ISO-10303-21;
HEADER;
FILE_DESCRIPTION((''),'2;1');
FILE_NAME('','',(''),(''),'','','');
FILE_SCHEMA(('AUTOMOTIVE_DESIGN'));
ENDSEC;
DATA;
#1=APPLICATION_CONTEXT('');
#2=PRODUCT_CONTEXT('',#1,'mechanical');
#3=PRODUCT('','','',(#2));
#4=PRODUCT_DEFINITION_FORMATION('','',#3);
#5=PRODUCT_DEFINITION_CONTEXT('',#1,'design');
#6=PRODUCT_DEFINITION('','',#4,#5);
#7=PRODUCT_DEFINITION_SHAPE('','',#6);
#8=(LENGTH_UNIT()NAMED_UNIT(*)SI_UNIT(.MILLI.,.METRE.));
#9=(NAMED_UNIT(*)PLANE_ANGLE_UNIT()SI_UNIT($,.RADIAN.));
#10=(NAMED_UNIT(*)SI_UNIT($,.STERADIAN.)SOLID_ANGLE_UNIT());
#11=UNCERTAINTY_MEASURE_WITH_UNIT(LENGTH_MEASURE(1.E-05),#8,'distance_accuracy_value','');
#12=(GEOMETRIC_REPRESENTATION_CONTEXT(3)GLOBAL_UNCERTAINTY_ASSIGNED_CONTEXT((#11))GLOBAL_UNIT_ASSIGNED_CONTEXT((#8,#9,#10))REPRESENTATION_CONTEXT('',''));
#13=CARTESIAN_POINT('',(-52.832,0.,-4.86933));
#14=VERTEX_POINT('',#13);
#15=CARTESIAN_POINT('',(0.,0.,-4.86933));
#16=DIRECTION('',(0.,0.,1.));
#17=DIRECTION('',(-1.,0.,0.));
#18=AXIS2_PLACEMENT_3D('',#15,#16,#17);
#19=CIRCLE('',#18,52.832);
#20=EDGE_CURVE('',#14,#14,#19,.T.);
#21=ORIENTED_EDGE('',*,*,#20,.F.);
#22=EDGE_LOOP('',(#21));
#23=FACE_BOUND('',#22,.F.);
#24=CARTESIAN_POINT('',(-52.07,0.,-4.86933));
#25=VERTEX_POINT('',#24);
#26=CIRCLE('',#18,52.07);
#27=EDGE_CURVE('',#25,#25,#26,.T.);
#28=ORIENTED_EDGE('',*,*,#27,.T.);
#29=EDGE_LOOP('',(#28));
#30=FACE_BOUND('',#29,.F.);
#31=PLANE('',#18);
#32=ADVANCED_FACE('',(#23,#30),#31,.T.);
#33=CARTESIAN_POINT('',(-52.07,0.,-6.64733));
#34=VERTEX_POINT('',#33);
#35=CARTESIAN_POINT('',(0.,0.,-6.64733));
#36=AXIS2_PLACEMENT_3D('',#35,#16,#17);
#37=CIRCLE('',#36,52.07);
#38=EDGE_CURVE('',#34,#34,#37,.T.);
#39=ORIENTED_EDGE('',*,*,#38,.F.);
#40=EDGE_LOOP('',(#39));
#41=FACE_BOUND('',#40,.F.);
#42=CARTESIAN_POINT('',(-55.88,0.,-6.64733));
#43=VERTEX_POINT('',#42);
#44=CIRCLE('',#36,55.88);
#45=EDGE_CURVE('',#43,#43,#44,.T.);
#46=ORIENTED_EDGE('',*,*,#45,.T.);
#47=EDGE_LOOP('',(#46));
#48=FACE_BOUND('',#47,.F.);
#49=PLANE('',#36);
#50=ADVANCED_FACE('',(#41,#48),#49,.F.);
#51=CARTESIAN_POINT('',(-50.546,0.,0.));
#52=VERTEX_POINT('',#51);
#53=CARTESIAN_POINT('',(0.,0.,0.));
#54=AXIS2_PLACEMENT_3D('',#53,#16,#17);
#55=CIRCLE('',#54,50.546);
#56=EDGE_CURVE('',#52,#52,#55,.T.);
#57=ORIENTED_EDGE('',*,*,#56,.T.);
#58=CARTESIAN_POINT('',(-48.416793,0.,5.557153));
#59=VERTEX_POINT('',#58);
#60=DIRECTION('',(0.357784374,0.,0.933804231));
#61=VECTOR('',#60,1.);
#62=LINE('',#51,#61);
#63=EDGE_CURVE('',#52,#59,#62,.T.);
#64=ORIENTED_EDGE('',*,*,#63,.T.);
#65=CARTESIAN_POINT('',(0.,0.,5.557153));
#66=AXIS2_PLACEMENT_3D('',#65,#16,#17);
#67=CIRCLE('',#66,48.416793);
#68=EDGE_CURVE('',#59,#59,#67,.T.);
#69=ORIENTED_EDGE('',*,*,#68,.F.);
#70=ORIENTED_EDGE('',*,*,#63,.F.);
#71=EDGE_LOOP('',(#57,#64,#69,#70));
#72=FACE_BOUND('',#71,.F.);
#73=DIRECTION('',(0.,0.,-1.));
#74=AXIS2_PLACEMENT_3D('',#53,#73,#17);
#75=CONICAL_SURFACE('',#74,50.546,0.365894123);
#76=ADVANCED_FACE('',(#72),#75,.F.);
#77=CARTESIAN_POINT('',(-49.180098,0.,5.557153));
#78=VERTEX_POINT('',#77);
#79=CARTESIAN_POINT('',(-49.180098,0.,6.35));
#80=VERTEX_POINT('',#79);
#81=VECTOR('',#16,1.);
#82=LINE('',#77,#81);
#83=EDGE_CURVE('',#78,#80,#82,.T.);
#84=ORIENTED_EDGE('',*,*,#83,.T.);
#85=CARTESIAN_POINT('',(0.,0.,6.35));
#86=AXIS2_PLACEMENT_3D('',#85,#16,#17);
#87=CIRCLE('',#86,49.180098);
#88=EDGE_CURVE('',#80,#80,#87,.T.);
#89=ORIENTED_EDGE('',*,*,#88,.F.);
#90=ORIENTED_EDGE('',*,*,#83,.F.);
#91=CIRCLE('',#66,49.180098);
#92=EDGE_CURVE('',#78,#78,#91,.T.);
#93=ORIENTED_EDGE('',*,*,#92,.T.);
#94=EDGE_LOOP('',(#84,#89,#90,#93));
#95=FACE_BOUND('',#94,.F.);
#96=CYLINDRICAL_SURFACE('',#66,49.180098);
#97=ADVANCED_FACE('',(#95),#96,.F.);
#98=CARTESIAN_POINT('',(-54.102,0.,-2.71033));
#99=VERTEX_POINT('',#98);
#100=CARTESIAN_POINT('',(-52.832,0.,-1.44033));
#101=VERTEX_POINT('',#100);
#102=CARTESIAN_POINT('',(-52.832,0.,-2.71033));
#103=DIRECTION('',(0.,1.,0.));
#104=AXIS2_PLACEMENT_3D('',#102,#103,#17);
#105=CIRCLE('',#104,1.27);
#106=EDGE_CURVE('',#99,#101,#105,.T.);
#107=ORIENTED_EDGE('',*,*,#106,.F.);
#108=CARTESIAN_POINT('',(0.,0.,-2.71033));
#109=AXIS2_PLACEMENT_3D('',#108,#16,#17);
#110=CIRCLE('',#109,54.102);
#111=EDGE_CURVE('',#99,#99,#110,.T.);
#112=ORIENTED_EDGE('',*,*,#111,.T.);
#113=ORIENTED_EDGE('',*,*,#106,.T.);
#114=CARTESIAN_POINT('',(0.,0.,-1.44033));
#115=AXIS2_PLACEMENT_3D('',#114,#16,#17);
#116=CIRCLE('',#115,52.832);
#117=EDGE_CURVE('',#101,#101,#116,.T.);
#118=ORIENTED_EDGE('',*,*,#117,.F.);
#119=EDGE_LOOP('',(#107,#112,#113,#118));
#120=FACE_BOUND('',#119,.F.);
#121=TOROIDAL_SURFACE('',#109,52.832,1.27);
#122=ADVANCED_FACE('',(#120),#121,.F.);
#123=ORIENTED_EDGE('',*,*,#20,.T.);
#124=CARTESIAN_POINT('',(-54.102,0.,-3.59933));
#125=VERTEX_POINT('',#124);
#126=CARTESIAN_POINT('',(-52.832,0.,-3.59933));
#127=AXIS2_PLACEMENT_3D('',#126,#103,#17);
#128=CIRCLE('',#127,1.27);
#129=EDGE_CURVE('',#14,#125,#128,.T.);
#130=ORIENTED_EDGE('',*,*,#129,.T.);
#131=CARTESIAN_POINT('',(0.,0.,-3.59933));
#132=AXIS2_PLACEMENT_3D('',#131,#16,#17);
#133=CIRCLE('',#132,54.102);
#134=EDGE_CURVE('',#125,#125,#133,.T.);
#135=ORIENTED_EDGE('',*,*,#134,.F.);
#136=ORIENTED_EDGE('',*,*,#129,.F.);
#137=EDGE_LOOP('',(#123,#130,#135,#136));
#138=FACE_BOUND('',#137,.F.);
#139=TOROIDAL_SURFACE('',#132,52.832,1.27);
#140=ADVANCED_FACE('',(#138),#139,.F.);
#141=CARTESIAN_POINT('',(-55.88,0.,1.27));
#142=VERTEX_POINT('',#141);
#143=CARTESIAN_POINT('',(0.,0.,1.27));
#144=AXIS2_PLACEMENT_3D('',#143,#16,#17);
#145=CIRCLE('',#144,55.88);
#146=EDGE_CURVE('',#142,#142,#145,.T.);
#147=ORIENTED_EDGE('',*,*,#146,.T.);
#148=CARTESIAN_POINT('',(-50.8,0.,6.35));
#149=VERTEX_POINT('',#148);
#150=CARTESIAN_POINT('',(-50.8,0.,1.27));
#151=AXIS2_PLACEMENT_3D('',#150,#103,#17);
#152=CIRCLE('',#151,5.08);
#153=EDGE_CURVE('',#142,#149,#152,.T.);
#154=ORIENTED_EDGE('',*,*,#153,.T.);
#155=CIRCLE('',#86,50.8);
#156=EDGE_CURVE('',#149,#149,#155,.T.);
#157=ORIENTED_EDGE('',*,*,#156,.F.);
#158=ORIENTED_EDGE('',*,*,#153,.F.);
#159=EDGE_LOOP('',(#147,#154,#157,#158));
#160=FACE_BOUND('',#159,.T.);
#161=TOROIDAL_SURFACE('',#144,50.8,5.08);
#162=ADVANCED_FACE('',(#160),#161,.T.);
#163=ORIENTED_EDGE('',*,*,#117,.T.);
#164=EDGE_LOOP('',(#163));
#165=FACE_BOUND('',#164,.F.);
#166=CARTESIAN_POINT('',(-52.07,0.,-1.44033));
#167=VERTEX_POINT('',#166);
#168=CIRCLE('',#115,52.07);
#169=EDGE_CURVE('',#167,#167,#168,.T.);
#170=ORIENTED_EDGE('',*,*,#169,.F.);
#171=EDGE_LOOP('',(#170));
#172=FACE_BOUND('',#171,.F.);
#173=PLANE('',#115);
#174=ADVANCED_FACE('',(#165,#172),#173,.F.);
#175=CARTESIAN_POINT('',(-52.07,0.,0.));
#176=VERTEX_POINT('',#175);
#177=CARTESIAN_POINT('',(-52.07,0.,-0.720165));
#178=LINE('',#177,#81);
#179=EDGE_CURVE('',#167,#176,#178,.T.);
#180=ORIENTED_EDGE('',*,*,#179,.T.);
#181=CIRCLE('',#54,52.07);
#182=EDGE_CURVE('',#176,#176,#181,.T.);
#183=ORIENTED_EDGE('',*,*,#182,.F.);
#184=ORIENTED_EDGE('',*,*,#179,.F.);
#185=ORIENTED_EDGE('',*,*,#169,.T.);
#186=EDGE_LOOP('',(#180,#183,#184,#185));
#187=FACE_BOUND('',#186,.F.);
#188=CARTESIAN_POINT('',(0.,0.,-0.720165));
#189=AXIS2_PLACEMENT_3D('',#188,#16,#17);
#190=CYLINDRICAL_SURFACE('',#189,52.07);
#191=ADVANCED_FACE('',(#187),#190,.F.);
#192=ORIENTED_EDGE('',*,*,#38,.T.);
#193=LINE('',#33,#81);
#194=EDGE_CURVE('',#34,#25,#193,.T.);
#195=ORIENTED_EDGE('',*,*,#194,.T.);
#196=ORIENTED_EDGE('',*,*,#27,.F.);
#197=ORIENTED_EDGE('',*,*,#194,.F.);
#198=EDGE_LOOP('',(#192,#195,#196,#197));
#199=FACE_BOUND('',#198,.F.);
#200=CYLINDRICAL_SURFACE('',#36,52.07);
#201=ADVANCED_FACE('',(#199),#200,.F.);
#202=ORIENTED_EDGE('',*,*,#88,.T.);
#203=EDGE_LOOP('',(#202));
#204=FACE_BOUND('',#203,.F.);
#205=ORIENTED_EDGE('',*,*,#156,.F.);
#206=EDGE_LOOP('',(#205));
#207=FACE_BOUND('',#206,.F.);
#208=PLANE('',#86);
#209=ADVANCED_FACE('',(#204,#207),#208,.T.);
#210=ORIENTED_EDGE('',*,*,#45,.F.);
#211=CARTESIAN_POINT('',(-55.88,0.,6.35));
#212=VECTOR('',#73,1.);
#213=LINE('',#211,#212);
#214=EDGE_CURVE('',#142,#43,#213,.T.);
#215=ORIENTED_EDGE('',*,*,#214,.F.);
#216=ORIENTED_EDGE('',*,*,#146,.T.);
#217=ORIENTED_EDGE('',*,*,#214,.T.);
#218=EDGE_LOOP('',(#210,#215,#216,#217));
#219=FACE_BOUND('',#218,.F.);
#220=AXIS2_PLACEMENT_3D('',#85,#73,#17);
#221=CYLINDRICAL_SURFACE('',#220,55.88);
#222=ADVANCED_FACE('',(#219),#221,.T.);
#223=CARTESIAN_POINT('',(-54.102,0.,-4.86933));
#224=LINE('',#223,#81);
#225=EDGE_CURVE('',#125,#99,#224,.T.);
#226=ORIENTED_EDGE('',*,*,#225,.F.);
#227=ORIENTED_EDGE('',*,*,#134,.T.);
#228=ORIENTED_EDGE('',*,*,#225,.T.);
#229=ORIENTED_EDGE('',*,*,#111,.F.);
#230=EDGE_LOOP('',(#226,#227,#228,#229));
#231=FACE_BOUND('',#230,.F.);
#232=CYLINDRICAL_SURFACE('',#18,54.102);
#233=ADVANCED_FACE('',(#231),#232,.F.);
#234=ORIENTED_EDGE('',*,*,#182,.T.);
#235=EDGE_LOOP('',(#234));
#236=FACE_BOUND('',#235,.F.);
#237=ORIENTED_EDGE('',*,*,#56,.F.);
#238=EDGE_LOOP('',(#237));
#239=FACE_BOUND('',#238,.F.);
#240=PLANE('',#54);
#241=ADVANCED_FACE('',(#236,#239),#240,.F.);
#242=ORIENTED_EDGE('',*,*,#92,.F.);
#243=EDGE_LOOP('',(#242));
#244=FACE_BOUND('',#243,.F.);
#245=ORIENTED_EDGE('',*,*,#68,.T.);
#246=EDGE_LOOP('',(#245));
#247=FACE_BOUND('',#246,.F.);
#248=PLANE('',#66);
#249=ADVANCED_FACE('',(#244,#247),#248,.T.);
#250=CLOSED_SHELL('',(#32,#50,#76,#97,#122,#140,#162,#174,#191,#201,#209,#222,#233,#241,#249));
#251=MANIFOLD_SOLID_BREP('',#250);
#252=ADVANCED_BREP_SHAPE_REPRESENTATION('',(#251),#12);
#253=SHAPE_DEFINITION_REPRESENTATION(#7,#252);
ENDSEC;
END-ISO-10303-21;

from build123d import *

# Parameters (mm, degrees)
F0_W = 2.032
F0_H = 1.44033
F2_R = 1.27
F3_R = 5.08


with BuildPart() as f1:
    # F0 (on Front) → F1 (revolve)
    with BuildSketch(Plane.XZ):
        Polygon((-49.180098, 5.557153), (-49.180098, 6.35), (-50.292, 6.35), (-50.419, 6.35), (-55.88, 6.35), (-55.88, -6.64733), (-53.34, -6.64733), (-54.102, -4.86933), (-54.102, -1.44033), (-54.102, 0), (-52.07, 0), (-50.546, 0), (-48.416793, 5.557153), align=None)
        Polygon((-54.102, -4.86933), (-53.34, -6.64733), (-52.07, -6.64733), (-52.07, -4.86933), align=None)
        with Locations((-53.086, -0.720165)):
            Rectangle(F0_W, F0_H)
    revolve(axis=Axis((0, 0, 3.175), (0, 0, 1)))

    # F2
    f2_edges = [f1.edges().sort_by_distance(p)[0] for p in [
        (54.102, 0, -1.44033),
        (54.102, 0, -4.86933),
    ]]
    fillet(f2_edges, radius=F2_R)

    # F3
    f3_edges = [f1.edges().sort_by_distance(p)[0] for p in [
        (55.88, 0, 6.35),
    ]]
    fillet(f3_edges, radius=F3_R)


solid = f1.part
